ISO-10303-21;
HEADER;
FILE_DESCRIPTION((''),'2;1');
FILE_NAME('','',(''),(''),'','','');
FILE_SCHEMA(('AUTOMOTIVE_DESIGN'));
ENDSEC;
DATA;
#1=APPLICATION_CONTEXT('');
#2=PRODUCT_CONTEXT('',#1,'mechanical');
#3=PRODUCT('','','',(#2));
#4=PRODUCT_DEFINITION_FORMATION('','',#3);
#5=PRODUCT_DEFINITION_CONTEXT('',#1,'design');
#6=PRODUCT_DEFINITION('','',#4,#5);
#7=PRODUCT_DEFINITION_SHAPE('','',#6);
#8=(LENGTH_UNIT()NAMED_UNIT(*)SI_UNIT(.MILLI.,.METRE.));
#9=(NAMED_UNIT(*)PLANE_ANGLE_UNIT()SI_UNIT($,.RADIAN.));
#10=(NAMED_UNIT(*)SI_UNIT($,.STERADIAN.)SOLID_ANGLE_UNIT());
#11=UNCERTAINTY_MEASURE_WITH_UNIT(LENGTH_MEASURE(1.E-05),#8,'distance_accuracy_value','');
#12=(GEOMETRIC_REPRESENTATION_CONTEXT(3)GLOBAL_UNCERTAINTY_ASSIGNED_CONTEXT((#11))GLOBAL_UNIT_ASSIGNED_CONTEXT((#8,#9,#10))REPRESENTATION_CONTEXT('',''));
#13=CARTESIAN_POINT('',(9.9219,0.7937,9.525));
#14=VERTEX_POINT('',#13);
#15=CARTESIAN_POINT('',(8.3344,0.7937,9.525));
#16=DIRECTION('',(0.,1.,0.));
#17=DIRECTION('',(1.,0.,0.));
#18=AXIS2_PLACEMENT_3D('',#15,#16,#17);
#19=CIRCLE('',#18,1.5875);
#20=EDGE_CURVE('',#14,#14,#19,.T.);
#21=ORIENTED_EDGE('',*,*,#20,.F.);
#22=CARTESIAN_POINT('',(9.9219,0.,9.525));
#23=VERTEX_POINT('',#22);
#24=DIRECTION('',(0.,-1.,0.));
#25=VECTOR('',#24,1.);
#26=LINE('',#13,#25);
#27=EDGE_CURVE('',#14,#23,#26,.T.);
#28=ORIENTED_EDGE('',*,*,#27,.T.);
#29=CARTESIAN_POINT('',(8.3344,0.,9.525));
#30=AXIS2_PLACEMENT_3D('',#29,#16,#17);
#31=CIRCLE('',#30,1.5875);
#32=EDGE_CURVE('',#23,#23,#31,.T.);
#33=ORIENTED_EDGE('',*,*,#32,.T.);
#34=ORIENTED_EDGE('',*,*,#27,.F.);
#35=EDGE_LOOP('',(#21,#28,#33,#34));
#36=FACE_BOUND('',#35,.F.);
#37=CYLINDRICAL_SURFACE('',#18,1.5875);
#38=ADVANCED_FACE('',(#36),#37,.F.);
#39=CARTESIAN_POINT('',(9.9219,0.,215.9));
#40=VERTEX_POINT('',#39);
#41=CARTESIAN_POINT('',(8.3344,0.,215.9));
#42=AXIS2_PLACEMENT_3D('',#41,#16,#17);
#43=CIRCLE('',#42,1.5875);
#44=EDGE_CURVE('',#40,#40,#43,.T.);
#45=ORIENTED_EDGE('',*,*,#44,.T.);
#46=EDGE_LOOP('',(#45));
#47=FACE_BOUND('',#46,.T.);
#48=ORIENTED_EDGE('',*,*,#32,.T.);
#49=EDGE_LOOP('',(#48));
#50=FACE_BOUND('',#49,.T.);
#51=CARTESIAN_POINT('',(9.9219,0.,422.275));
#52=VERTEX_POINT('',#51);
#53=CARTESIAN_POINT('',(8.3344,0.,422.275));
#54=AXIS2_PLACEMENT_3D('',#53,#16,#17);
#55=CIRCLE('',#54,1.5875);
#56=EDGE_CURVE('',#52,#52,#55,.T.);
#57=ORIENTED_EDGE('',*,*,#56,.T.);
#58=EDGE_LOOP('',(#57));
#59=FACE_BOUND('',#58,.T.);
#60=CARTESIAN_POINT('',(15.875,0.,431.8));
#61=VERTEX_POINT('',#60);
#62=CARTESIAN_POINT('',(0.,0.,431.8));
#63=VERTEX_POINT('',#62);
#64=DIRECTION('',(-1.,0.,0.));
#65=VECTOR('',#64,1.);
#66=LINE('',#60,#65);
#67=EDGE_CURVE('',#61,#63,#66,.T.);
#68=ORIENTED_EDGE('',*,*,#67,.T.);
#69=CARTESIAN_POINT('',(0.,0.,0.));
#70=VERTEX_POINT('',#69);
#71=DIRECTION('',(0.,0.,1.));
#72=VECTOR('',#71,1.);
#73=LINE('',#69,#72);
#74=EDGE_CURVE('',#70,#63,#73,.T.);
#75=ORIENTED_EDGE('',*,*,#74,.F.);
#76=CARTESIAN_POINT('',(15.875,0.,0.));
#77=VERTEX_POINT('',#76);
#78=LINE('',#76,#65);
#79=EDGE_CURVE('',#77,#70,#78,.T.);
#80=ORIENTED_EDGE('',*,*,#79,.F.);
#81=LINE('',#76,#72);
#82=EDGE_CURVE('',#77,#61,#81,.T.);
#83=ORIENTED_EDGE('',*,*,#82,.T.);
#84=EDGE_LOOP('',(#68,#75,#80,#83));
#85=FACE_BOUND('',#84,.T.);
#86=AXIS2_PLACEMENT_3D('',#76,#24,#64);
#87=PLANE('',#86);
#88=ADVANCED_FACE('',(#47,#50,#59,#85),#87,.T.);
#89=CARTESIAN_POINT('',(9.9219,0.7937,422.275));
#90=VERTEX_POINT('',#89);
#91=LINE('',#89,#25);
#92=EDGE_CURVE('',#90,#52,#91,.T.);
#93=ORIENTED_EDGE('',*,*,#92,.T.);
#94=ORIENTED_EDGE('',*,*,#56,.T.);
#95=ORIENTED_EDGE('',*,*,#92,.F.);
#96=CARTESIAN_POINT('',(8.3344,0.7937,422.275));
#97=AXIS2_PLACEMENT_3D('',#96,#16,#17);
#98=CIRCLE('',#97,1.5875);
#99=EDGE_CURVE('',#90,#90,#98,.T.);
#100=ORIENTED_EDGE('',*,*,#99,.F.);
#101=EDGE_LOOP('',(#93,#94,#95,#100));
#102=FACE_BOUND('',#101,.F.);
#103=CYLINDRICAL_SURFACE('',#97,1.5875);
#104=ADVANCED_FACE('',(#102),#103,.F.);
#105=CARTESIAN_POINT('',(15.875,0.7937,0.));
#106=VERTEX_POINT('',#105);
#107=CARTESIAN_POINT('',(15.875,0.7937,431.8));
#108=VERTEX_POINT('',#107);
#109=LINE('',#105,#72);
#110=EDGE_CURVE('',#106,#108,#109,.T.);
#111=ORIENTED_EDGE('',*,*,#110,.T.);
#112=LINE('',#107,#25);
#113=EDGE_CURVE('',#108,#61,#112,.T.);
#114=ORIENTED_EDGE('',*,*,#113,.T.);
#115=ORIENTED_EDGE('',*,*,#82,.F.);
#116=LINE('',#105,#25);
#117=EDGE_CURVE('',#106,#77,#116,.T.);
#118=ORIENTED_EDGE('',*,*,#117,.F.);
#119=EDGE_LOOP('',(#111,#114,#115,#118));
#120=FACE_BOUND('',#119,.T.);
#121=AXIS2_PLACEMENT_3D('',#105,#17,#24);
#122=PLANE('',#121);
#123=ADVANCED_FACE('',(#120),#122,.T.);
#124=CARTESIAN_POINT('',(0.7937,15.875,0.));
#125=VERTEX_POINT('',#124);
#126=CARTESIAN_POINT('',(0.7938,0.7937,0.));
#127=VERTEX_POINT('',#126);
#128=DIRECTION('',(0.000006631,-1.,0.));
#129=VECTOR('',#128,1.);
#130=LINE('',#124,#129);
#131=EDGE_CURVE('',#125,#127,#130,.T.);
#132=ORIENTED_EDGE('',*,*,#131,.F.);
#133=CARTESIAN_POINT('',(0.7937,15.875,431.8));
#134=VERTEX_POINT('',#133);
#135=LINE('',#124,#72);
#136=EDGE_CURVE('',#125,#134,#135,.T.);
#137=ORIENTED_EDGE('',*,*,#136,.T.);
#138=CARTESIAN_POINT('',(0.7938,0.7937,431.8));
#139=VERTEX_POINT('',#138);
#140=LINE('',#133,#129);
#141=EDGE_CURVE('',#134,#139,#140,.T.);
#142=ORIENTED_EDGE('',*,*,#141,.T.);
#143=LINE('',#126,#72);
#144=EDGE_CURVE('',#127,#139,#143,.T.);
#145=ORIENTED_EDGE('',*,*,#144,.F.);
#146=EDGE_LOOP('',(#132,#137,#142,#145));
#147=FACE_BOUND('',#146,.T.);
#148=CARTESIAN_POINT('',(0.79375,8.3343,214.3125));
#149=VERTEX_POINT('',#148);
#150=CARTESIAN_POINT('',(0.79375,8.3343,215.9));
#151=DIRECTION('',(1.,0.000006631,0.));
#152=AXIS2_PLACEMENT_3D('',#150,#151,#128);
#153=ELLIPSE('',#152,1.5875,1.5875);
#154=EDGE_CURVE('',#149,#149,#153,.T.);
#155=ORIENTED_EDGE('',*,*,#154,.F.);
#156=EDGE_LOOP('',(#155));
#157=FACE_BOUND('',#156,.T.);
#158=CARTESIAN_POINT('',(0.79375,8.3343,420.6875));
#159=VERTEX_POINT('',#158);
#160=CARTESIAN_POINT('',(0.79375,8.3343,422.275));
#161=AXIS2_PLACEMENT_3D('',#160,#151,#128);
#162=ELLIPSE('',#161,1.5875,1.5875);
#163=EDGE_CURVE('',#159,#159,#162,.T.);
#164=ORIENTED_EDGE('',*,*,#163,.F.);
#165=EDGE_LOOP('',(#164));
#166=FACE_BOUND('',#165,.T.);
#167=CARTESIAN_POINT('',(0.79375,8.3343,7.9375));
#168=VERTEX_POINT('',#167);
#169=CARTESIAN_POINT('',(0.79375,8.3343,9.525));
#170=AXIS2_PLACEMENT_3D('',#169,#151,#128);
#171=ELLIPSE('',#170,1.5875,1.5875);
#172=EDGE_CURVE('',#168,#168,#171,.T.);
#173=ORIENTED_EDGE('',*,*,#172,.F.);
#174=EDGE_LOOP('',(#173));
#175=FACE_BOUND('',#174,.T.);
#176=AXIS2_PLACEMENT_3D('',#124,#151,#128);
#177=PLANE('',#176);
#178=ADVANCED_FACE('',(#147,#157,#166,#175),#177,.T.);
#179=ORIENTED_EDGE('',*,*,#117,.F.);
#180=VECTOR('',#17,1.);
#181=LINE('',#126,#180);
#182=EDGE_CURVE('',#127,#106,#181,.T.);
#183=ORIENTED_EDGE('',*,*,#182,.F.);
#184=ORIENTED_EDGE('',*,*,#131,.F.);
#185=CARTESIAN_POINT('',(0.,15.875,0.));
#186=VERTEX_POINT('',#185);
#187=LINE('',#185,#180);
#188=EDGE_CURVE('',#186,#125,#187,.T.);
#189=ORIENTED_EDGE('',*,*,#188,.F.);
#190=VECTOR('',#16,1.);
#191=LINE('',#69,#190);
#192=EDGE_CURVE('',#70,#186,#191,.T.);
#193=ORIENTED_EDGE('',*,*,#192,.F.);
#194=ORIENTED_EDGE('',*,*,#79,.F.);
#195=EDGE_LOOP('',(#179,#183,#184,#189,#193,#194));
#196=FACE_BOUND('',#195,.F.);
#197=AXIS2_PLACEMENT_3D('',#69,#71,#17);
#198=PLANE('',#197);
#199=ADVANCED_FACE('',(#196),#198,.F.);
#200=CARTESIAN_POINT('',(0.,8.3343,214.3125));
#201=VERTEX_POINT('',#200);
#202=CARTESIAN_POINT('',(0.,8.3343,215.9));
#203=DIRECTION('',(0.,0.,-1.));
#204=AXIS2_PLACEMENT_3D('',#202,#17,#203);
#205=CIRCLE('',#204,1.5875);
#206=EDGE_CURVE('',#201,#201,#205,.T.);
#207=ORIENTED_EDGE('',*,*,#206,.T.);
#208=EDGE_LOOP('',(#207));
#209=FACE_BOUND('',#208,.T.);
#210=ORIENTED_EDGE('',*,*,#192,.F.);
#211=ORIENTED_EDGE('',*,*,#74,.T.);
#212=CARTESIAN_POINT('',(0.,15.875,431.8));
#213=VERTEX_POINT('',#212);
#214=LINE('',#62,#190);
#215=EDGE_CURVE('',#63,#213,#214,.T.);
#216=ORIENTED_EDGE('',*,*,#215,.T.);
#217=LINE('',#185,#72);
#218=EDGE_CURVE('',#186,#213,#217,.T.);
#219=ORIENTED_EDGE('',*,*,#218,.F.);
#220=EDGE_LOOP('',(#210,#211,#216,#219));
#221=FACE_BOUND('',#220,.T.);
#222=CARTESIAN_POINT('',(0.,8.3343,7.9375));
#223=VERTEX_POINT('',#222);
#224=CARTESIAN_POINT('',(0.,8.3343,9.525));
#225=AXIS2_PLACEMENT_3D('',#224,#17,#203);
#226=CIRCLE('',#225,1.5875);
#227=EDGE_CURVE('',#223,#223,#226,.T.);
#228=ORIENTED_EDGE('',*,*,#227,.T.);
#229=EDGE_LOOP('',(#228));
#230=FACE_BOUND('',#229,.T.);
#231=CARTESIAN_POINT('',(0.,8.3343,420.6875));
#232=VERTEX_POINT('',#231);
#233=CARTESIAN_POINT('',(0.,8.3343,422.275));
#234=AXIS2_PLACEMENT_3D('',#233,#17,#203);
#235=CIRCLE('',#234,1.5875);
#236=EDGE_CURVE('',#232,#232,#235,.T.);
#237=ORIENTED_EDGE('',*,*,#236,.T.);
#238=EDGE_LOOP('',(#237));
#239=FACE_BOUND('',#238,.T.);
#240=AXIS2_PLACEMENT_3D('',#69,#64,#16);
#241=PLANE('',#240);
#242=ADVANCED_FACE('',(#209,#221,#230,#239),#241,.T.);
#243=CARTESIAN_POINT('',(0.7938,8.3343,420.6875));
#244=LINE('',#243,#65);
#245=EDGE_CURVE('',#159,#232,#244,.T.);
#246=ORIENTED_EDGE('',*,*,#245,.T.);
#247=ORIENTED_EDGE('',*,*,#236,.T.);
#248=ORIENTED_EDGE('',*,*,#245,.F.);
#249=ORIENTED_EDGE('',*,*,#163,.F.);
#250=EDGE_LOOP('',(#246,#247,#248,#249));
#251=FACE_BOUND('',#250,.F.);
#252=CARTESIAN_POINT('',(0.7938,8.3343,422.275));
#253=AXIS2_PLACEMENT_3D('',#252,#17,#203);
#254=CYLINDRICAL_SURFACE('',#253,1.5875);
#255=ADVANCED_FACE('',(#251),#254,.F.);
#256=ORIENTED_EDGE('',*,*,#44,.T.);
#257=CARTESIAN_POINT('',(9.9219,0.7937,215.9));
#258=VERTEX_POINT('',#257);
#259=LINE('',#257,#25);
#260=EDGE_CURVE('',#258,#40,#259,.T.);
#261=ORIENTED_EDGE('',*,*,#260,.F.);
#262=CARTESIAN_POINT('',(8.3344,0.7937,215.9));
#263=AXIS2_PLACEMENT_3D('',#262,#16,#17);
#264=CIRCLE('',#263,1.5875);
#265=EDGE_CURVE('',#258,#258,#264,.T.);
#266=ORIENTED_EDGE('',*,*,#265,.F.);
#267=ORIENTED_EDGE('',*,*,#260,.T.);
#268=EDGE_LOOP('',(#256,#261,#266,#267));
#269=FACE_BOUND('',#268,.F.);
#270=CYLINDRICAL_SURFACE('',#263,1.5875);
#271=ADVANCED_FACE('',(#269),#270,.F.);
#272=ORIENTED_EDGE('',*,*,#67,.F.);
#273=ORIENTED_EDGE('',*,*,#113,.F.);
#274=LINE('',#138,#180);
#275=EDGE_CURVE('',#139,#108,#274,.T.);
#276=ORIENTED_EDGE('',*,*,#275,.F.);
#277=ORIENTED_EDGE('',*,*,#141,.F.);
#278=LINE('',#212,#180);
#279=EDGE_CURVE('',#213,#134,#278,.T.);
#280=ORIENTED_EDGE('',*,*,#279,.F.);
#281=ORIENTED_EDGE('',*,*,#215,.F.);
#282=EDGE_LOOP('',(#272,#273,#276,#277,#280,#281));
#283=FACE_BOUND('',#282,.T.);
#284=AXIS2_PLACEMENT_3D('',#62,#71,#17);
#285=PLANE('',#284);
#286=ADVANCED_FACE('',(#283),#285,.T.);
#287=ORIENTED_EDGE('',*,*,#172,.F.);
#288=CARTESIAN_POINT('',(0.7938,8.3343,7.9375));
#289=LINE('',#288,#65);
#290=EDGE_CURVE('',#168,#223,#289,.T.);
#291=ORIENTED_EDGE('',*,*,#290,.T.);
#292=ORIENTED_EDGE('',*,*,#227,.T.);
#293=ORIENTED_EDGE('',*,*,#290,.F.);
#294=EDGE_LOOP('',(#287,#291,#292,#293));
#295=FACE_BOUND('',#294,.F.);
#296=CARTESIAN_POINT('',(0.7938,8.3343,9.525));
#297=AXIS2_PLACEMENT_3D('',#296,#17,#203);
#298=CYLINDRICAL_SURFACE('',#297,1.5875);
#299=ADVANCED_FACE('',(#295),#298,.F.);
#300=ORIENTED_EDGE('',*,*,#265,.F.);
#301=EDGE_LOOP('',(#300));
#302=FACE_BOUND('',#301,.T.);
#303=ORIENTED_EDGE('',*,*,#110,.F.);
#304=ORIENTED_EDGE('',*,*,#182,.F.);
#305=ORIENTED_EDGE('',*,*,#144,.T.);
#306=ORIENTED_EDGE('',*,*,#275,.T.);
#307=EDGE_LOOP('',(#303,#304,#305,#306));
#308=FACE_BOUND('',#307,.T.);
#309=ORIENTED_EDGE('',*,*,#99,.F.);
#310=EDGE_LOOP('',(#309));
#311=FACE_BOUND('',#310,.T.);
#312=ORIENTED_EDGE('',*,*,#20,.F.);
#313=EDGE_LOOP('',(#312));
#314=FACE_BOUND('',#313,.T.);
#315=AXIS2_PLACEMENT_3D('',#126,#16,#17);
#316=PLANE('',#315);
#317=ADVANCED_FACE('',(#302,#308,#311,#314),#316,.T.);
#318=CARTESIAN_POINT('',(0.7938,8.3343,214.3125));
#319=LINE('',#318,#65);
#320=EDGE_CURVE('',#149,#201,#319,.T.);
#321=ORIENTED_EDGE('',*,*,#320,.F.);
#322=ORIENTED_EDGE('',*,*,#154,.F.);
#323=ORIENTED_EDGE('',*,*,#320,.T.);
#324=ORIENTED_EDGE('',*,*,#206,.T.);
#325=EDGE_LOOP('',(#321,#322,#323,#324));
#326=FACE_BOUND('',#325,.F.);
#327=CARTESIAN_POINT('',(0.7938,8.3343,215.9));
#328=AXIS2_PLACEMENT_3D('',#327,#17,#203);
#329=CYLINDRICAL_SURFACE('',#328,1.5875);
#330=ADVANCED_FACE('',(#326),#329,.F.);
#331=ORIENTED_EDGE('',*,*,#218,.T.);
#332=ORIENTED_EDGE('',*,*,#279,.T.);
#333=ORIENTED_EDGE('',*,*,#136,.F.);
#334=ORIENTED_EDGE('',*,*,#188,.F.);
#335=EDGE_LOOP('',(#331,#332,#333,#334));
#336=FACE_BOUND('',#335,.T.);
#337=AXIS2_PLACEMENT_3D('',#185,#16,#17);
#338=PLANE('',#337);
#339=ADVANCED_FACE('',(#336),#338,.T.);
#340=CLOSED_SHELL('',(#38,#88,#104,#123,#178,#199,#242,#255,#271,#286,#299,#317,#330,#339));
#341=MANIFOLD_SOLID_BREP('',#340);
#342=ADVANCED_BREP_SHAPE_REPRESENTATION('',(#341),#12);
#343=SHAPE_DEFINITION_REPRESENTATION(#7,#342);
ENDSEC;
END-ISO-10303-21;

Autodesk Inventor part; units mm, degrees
ref_plane "YZ Plane" through (0, 0, 0) normal (1, 0, 0) x (0, 1, 0)
ref_plane "XZ Plane" through (0, 0, 0) normal (0, 1, 0) x (-1, 0, 0)
ref_plane "XY Plane" through (0, 0, 0) normal (0, 0, 1) x (1, 0, 0)
sketch "Sketch1" plane through (0, 0, 0) normal (0, 0, 1) x (1, 0, 0)
  line L0 (0, 0) -> (0, 15.875)
  line L1 (0, 15.875) -> (0.7937, 15.875)
  line L2 (0.7937, 15.875) -> (0.7938, 0.7937)
  line L3 (0.7938, 0.7937) -> (15.875, 0.7937)
  line L4 (15.875, 0.7937) -> (15.875, 0)
  line L5 (15.875, 0) -> (0, 0)
  dimension "d0" = 15.875
  dimension "d1" = 0.7937
extrude "Extrusion1" add sketch "Sketch1" along normal blind 431.8
sketch "Sketch2" plane through (0.7938, 0.7937, 0) normal (0, 1, 0) x (1, 0, 0)
  line L0 (0, 0) -> (15.0812, 0) projected
  line L1 (15.0812, -431.8) -> (0, -431.8) projected
  line L2 (7.5406, 0) -> (7.5406, -431.8) construction
  circle A0 centre (7.5406, -9.525) radius 1.5875
  circle A1 centre (7.5406, -215.9) radius 1.5875
  circle A2 centre (7.5406, -422.275) radius 1.5875
  point P0 (-0.7938, 0)
  dimension "d4" = 9.525
  dimension "d5" = 3.175
  dimension "d6" = 431.8
  dimension "d9" = 206.375
sketch "Sketch3" plane through (0.7938, 0.7937, 0) normal (1, 0, 0) x (0, 0, -1)
  line L0 (0, 15.0812) -> (0, 0) projected
  line L1 (-431.8, 0) -> (-431.8, 15.0812) projected
  line L2 (-431.8, 7.5406) -> (0, 7.5406) construction
  circle A0 centre (-9.525, 7.5406) radius 1.5875
  circle A1 centre (-215.9, 7.5406) radius 1.5875
  circle A2 centre (-422.275, 7.5406) radius 1.5875
  point P0 (0, -0.7937)
  dimension "d14" = 3.175
  dimension "d15" = 9.525
  dimension "d16" = 431.8
  dimension "d19" = 206.375
extrude "Extrusion2" cut sketch "Sketch2" against normal through all
extrude "Extrusion3" cut sketch "Sketch3" against normal through all
properties part number "Hopper Bracing Front Top P8" material "Aluminum 6061"
